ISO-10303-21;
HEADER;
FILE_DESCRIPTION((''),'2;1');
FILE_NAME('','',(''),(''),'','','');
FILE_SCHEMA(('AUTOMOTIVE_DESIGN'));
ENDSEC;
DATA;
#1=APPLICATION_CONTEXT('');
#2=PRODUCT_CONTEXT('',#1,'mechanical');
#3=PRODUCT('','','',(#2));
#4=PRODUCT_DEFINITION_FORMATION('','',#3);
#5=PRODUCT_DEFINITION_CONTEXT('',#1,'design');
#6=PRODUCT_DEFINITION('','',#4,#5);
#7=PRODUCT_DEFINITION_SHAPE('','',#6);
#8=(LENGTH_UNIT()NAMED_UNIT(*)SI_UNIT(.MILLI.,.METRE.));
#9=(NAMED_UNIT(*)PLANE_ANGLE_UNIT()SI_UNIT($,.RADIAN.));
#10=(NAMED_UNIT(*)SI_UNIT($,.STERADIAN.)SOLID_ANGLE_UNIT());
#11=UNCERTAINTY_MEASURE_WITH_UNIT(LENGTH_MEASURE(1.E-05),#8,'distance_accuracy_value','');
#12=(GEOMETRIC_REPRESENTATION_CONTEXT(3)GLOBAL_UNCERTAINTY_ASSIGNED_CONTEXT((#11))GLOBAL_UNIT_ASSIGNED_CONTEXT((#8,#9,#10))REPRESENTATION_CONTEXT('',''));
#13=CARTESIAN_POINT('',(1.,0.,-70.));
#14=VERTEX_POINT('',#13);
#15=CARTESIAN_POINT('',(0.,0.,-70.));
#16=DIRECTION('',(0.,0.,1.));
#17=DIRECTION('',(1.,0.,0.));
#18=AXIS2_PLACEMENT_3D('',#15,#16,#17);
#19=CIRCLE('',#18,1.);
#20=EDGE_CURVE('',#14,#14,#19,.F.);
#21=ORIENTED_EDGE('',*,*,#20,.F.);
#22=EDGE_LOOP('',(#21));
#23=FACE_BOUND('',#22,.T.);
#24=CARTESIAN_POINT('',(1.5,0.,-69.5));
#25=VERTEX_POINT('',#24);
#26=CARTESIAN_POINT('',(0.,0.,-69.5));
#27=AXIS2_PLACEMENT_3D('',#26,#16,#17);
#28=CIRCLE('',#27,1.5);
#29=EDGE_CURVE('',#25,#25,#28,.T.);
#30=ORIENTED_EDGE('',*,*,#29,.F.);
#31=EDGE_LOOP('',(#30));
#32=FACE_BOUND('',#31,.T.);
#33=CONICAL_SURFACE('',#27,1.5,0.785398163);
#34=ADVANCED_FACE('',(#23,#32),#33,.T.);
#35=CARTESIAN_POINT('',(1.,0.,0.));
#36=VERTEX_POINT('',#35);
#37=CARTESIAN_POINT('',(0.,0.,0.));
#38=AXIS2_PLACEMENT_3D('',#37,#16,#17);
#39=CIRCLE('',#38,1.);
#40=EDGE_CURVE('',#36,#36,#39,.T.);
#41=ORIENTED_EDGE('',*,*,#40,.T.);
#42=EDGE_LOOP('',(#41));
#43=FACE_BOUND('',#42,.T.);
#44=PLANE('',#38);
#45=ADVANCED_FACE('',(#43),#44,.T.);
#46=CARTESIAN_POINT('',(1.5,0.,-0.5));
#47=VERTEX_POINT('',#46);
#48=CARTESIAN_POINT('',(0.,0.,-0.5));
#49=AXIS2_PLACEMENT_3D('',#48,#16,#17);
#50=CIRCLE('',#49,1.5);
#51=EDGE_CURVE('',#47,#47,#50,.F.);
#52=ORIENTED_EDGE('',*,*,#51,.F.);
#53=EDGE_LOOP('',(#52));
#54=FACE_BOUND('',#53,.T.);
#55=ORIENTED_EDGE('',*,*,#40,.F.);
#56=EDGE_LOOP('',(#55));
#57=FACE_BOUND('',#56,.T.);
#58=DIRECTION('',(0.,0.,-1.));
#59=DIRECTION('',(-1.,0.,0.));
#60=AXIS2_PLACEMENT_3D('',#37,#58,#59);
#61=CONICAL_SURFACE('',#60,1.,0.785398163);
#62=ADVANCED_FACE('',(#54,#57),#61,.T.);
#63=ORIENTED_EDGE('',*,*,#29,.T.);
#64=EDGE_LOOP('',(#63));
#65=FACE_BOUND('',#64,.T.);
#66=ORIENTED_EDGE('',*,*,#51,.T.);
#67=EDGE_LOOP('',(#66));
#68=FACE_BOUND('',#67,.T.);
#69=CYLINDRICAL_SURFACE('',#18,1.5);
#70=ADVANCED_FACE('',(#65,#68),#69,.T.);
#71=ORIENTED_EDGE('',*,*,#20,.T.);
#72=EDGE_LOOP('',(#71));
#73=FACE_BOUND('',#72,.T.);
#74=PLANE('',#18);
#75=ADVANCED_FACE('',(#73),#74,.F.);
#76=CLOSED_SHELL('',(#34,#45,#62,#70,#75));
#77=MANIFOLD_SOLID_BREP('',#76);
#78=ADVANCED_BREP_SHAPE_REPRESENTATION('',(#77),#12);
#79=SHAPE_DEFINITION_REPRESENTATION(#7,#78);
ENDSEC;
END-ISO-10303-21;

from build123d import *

# Parameters (mm, degrees)
SKETCH1_R           = 1.5
BOSS_EXTRUDE1_DEPTH = 70
CHAMFER1_SIZE       = 0.5


with BuildPart() as part:
    # Sketch1 → Boss-Extrude1 (new body)
    with BuildSketch(Plane.XY):
        Circle(SKETCH1_R)
    extrude(amount=-BOSS_EXTRUDE1_DEPTH)

    # Chamfer1
    chamfer1_edges = [part.edges().sort_by_distance(p)[0] for p in [
        (-1.5, 0, 0),
        (-1.5, 0, -70),
    ]]
    chamfer(chamfer1_edges, length=CHAMFER1_SIZE)


solid = part.part
